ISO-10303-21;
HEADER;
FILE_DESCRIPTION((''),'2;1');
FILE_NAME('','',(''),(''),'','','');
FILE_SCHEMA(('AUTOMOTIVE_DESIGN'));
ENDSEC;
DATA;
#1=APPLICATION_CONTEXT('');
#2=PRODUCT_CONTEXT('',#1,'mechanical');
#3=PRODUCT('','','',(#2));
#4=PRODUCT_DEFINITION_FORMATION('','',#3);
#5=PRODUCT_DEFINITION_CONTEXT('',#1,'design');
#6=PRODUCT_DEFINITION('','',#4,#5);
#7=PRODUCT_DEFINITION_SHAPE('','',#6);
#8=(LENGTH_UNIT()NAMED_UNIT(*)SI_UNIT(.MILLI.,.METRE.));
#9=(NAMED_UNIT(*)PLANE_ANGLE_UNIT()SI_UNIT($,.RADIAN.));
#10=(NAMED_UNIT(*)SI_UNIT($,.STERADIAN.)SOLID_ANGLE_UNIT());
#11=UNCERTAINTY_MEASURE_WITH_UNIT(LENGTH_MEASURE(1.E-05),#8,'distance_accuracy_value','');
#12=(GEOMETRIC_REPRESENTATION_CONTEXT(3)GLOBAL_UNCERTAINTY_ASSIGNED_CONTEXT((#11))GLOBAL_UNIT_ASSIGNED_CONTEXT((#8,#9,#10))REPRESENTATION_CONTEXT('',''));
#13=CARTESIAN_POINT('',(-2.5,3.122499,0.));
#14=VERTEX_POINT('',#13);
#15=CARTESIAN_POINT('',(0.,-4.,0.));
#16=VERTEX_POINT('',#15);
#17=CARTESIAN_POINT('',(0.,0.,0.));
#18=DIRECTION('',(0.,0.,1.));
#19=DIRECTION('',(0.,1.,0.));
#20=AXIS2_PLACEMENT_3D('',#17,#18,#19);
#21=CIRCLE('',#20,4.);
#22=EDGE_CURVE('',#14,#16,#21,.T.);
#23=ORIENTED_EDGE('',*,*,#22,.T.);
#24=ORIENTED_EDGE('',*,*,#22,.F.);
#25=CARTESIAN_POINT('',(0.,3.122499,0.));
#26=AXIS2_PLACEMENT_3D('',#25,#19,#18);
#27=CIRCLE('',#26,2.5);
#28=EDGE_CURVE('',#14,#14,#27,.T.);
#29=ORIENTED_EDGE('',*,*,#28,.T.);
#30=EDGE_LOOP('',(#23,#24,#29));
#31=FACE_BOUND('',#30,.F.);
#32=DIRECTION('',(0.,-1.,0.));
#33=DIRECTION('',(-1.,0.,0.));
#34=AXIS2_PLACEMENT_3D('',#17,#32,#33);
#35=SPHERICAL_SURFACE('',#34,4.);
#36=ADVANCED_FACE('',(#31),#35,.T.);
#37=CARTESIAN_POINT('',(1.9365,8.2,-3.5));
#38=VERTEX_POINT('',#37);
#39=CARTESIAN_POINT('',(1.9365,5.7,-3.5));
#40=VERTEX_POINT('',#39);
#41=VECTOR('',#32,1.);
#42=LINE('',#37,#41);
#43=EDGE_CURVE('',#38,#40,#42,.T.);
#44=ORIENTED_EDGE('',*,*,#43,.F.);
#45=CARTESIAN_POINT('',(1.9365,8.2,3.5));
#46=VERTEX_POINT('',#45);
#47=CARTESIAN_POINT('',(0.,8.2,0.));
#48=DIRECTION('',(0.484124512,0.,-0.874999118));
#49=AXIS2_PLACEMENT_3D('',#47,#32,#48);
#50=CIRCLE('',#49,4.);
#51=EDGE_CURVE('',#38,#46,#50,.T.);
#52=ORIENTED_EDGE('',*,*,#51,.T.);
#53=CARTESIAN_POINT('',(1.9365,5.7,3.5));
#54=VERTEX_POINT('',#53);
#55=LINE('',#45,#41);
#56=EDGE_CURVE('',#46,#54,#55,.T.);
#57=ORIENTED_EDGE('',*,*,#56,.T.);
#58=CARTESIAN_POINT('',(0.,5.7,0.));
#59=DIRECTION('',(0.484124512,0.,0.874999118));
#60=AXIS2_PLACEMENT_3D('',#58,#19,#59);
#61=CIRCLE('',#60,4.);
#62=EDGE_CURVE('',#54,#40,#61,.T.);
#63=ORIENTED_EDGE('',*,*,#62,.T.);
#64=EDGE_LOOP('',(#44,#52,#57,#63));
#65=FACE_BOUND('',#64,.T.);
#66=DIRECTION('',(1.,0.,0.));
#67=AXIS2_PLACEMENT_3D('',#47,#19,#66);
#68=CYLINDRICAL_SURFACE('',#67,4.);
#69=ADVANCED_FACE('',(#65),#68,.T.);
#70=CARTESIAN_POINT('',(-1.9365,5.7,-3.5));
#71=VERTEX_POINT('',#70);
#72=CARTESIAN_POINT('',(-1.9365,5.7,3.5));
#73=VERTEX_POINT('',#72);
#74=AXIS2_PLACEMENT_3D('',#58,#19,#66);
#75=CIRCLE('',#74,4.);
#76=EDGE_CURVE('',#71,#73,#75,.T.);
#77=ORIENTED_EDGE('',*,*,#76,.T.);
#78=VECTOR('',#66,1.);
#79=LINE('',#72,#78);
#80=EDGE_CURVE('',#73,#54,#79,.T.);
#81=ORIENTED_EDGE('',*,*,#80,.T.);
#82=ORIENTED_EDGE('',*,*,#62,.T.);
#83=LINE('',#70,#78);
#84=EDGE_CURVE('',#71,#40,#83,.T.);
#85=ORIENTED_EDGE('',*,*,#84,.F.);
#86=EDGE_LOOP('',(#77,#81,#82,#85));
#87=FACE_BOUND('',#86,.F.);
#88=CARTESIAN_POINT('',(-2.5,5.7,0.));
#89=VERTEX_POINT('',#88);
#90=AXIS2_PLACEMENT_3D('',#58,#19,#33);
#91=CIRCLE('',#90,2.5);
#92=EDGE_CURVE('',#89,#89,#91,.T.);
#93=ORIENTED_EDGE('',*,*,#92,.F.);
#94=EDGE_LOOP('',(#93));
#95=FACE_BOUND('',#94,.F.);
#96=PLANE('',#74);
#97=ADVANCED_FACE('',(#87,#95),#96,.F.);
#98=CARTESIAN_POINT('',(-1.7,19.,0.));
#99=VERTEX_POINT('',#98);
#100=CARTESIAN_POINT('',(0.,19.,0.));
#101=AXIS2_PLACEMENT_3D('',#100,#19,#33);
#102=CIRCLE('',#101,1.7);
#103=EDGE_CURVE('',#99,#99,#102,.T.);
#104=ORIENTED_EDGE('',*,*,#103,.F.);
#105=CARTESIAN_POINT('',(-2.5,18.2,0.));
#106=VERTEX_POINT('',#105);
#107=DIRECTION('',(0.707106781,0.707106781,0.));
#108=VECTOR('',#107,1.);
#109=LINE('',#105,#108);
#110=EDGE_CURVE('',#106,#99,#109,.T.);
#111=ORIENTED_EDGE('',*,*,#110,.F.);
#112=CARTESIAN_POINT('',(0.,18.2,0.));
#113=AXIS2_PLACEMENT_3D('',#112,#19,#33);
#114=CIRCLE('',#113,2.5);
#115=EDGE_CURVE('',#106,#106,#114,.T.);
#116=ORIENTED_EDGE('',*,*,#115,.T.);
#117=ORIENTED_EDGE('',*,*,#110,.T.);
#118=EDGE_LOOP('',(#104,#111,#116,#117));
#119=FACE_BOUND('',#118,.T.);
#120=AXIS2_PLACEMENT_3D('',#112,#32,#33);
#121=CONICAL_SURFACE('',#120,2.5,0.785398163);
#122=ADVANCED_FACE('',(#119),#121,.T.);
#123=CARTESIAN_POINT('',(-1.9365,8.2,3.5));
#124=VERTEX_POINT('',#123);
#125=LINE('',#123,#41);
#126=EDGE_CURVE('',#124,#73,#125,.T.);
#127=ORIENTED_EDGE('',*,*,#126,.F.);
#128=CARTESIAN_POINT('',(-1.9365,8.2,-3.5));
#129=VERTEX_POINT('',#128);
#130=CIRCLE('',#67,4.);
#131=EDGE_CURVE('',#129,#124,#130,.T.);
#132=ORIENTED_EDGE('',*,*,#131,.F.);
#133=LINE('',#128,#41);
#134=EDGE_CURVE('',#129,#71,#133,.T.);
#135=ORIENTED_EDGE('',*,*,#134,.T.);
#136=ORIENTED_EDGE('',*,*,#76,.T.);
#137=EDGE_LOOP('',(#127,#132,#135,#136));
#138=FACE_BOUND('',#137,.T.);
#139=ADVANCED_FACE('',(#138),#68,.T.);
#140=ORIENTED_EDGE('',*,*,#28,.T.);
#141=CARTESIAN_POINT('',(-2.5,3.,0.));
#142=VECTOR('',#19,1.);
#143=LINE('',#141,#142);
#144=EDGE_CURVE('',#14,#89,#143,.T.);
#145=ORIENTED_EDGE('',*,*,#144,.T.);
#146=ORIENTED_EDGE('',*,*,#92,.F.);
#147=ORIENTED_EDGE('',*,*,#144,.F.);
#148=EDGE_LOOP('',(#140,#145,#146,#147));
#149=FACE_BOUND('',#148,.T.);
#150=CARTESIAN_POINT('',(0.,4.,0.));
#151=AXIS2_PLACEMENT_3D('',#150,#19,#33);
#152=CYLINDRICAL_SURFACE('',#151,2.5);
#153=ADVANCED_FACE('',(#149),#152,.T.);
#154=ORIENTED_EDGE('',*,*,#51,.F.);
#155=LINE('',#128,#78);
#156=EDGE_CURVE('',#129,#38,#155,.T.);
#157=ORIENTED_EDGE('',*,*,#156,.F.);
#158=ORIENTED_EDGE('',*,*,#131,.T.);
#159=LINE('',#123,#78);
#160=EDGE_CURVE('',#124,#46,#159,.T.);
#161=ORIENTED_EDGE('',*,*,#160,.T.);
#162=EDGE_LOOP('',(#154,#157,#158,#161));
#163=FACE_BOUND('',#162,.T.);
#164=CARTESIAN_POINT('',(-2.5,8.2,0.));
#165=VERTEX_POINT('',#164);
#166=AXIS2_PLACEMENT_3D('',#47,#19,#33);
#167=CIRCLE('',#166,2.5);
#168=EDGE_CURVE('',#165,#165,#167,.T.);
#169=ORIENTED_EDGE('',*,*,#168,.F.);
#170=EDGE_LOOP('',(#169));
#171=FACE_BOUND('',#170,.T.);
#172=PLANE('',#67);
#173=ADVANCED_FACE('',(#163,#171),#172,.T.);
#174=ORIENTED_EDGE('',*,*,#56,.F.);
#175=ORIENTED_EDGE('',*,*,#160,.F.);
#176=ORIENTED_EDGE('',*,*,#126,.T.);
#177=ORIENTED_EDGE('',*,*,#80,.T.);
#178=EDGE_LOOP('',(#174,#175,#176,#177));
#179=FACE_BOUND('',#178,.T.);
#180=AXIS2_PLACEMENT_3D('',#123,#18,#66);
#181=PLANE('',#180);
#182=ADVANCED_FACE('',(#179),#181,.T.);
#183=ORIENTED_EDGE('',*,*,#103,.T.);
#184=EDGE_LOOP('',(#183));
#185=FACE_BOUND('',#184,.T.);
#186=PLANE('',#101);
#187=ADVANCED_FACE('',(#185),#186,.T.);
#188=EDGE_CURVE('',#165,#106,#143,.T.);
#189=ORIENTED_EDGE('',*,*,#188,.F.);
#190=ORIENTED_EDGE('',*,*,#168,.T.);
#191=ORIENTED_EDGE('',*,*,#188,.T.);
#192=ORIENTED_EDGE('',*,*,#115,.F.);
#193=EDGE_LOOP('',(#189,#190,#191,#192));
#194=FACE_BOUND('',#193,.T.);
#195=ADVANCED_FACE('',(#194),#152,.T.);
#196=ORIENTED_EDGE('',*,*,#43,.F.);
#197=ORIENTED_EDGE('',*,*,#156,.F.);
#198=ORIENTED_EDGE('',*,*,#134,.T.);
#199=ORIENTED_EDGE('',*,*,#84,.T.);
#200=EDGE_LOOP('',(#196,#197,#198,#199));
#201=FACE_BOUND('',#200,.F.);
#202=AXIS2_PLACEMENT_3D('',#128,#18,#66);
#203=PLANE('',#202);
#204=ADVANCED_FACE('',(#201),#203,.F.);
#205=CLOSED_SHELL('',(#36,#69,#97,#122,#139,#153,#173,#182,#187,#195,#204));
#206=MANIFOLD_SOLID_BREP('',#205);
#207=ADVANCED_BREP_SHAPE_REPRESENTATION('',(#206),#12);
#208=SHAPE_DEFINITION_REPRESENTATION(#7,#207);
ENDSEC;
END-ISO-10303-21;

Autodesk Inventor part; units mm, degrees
ref_plane "YZ Plane" through (0, 0, 0) normal (1, 0, 0) x (0, 1, 0)
ref_plane "XY Plane" through (0, 0, 0) normal (0, 0, 1) x (1, 0, 0)
sketch "Skizze1" plane through (0, 0, 0) normal (0, 0, 1) x (1, 0, 0)
  arc A0 (0, 4) -> (0, -4) centre (0, 0) ccw
  line L0 (0, 4) -> (0, -4)
  line L1 (0, -5.6) -> (0, 5.6) construction
  dimension "d0" = 8
revolve "Kugelkörper" add sketch "Skizze1" angle 360 about axis through (0, -10, 0) along (0, 1, 0)
ref_plane "Konstruktionshilfsebene" through (0, 4, 0) normal (0, 1, 0) x (-1, 0, 0)
sketch "Skizze2" plane through (0, 4, 0) normal (0, 1, 0) x (-1, 0, 0)
  circle A0 centre (0, 0) radius 2.5
  point P0 (0, 0)
  dimension "d2" = 5
extrude "Gewindeschraube" add sketch "Skizze2" against normal blind 1 and the other way blind 15
chamfer "Gewindefase M3" distance 0.8 angle 45 1 edges at (2.5, 19, 0)
ref_plane "Work Plane2" through (0, 8.2, 0) normal (0, 1, 0) x (1, 0, 0)
sketch "Sketch3" plane through (0, 8.2, 0) normal (0, 1, 0) x (1, 0, 0)
  circle A0 centre (0, 0) radius 4
  line L0 (-1.9365, -3.5) -> (1.9365, -3.5)
  line L1 (-1.9365, 3.5) -> (1.9365, 3.5)
  dimension "d13" = 8
  dimension "d14" = 7
extrude "Extrusion2" add sketch "Sketch3" against normal blind 2.5 contours A0 L0 L1
thread "Thread2" size "M5x0.8" class "6g" standard "ANSI Metric M Profile" full length
properties part number "Ball_Joint_Ball" material "Stahl, galvanisiert"
